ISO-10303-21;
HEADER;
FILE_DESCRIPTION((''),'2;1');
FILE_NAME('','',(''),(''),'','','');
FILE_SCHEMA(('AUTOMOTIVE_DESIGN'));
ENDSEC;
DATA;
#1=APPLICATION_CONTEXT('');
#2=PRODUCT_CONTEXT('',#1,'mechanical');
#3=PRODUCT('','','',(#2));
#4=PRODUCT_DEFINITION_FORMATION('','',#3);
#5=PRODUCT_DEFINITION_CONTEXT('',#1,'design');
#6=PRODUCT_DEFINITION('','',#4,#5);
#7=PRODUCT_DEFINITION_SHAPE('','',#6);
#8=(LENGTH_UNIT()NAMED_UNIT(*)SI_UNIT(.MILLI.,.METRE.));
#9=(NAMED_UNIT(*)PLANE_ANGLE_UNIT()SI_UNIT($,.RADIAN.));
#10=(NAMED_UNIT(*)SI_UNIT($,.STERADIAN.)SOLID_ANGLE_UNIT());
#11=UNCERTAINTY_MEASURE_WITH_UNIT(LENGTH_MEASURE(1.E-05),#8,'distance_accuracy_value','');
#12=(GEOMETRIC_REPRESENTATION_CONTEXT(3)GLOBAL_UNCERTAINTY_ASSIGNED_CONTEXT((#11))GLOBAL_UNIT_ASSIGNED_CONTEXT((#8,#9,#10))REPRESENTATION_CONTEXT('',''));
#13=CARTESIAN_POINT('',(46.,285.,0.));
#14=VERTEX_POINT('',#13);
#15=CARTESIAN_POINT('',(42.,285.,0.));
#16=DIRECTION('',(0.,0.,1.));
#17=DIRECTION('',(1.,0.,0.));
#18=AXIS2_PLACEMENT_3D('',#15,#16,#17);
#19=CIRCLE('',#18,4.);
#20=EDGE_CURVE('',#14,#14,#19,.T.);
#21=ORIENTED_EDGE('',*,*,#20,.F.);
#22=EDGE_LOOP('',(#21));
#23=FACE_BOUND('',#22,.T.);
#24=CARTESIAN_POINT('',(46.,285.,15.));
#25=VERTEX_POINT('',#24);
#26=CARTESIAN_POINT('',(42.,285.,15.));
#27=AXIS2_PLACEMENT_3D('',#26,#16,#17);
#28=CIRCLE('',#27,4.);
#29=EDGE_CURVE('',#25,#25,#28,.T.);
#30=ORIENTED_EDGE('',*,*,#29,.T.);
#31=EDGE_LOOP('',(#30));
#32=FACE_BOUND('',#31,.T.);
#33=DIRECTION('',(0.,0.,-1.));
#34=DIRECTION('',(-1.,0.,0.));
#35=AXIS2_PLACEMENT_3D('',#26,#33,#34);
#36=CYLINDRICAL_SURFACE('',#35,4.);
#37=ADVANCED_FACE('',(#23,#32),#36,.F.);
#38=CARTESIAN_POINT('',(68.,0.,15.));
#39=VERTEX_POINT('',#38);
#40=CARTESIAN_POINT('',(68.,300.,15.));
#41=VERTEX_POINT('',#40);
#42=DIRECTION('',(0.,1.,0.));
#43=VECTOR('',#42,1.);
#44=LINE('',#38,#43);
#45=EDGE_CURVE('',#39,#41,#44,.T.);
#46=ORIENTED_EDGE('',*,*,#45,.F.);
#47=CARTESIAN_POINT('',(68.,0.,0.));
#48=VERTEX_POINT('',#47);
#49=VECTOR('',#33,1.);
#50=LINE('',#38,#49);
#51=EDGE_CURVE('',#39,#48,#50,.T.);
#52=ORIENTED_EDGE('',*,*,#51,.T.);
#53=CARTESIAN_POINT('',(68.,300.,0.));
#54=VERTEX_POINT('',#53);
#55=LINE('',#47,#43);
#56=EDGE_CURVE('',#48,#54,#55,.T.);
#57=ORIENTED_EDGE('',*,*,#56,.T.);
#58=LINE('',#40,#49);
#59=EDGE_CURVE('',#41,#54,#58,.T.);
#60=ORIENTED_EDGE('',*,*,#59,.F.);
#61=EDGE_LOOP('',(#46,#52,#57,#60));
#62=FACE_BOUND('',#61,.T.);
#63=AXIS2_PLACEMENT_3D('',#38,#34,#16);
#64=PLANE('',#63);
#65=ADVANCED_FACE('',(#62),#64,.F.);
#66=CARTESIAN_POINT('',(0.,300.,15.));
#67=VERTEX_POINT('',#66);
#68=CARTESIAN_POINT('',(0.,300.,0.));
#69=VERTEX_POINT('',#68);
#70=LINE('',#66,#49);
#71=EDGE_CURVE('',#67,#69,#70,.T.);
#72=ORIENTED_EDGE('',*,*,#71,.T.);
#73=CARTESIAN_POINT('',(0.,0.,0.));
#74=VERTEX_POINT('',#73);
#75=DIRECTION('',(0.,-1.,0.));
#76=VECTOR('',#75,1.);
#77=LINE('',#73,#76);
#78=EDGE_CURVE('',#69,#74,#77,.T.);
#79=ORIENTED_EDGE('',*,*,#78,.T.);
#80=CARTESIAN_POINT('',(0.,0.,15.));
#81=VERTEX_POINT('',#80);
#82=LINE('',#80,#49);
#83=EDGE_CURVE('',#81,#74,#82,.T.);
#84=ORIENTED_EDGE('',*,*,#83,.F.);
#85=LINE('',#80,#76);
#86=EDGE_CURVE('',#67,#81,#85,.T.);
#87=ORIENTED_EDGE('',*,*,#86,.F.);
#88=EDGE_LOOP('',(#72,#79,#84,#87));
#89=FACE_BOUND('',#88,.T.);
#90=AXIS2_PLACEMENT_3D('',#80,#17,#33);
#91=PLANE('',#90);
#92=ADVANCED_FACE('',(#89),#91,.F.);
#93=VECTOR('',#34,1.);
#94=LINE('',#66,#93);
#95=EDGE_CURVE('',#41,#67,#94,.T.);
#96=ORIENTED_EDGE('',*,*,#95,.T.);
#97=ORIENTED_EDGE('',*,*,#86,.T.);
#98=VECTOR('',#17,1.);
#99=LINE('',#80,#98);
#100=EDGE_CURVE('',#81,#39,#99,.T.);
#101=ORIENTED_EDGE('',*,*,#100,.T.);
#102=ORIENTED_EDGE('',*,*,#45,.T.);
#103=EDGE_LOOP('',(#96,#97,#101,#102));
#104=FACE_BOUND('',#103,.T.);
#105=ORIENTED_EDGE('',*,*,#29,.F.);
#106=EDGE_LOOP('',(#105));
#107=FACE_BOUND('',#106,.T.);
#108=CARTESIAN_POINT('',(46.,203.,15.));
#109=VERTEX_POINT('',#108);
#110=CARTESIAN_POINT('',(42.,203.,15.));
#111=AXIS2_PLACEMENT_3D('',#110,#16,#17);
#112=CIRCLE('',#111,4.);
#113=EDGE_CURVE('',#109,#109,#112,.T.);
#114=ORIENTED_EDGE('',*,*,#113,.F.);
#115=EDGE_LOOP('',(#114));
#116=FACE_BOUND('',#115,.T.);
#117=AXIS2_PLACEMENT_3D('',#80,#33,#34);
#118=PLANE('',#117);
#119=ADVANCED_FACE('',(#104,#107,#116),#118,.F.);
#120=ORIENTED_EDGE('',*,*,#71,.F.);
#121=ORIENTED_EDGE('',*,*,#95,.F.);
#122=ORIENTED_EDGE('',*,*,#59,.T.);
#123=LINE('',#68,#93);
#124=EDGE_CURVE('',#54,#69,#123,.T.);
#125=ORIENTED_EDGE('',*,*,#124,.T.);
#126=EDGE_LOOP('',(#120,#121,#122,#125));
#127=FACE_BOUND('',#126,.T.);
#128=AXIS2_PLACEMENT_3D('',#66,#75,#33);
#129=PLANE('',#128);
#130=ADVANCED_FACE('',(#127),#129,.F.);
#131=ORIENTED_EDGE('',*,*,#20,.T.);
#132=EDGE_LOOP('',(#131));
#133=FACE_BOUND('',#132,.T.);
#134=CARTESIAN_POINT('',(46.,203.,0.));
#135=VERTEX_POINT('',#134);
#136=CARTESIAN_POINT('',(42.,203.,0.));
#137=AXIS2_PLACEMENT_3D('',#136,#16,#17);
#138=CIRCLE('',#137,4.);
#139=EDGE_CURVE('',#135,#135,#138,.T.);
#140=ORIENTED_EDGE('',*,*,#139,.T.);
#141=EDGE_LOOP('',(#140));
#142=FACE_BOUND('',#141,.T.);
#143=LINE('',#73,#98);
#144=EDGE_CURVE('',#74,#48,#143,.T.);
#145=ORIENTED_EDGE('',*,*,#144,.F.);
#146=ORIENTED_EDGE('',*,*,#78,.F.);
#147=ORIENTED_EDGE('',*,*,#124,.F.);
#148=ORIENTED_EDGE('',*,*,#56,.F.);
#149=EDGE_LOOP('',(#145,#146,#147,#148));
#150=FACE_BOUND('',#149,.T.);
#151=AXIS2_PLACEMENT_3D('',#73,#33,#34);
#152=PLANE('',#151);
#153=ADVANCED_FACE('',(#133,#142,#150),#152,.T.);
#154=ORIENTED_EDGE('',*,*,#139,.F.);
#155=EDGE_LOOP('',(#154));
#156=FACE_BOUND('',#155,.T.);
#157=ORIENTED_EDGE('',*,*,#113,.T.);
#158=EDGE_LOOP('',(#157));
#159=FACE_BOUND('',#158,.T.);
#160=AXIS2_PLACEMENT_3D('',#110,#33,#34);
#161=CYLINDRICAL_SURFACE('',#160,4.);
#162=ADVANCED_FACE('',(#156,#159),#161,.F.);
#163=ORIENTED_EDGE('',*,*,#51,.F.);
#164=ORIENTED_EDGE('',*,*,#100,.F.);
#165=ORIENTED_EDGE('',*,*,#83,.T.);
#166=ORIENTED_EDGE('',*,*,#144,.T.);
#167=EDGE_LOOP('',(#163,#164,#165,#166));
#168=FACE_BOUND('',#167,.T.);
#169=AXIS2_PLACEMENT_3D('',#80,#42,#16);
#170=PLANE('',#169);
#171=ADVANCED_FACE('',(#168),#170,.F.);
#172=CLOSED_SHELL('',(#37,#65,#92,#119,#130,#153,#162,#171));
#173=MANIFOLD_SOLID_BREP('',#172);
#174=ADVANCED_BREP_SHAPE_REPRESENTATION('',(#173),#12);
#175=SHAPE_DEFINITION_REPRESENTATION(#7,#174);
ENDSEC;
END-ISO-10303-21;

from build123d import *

# Parameters (mm, degrees)
CROQUIS1_W              = 68
CROQUIS1_H              = 300
CROQUIS1_R              = 4
SALIENTE_EXTRUIR1_DEPTH = 15


with BuildPart() as part:
    # Croquis1 → Saliente-Extruir1 (new body)
    with BuildSketch(Plane.XY):
        with Locations((34, 150)):
            Rectangle(CROQUIS1_W, CROQUIS1_H)
        with Locations((42, 285)):
            Circle(CROQUIS1_R, mode=Mode.SUBTRACT)
        with Locations((42, 203)):
            Circle(CROQUIS1_R, mode=Mode.SUBTRACT)
    extrude(amount=SALIENTE_EXTRUIR1_DEPTH)


solid = part.part
